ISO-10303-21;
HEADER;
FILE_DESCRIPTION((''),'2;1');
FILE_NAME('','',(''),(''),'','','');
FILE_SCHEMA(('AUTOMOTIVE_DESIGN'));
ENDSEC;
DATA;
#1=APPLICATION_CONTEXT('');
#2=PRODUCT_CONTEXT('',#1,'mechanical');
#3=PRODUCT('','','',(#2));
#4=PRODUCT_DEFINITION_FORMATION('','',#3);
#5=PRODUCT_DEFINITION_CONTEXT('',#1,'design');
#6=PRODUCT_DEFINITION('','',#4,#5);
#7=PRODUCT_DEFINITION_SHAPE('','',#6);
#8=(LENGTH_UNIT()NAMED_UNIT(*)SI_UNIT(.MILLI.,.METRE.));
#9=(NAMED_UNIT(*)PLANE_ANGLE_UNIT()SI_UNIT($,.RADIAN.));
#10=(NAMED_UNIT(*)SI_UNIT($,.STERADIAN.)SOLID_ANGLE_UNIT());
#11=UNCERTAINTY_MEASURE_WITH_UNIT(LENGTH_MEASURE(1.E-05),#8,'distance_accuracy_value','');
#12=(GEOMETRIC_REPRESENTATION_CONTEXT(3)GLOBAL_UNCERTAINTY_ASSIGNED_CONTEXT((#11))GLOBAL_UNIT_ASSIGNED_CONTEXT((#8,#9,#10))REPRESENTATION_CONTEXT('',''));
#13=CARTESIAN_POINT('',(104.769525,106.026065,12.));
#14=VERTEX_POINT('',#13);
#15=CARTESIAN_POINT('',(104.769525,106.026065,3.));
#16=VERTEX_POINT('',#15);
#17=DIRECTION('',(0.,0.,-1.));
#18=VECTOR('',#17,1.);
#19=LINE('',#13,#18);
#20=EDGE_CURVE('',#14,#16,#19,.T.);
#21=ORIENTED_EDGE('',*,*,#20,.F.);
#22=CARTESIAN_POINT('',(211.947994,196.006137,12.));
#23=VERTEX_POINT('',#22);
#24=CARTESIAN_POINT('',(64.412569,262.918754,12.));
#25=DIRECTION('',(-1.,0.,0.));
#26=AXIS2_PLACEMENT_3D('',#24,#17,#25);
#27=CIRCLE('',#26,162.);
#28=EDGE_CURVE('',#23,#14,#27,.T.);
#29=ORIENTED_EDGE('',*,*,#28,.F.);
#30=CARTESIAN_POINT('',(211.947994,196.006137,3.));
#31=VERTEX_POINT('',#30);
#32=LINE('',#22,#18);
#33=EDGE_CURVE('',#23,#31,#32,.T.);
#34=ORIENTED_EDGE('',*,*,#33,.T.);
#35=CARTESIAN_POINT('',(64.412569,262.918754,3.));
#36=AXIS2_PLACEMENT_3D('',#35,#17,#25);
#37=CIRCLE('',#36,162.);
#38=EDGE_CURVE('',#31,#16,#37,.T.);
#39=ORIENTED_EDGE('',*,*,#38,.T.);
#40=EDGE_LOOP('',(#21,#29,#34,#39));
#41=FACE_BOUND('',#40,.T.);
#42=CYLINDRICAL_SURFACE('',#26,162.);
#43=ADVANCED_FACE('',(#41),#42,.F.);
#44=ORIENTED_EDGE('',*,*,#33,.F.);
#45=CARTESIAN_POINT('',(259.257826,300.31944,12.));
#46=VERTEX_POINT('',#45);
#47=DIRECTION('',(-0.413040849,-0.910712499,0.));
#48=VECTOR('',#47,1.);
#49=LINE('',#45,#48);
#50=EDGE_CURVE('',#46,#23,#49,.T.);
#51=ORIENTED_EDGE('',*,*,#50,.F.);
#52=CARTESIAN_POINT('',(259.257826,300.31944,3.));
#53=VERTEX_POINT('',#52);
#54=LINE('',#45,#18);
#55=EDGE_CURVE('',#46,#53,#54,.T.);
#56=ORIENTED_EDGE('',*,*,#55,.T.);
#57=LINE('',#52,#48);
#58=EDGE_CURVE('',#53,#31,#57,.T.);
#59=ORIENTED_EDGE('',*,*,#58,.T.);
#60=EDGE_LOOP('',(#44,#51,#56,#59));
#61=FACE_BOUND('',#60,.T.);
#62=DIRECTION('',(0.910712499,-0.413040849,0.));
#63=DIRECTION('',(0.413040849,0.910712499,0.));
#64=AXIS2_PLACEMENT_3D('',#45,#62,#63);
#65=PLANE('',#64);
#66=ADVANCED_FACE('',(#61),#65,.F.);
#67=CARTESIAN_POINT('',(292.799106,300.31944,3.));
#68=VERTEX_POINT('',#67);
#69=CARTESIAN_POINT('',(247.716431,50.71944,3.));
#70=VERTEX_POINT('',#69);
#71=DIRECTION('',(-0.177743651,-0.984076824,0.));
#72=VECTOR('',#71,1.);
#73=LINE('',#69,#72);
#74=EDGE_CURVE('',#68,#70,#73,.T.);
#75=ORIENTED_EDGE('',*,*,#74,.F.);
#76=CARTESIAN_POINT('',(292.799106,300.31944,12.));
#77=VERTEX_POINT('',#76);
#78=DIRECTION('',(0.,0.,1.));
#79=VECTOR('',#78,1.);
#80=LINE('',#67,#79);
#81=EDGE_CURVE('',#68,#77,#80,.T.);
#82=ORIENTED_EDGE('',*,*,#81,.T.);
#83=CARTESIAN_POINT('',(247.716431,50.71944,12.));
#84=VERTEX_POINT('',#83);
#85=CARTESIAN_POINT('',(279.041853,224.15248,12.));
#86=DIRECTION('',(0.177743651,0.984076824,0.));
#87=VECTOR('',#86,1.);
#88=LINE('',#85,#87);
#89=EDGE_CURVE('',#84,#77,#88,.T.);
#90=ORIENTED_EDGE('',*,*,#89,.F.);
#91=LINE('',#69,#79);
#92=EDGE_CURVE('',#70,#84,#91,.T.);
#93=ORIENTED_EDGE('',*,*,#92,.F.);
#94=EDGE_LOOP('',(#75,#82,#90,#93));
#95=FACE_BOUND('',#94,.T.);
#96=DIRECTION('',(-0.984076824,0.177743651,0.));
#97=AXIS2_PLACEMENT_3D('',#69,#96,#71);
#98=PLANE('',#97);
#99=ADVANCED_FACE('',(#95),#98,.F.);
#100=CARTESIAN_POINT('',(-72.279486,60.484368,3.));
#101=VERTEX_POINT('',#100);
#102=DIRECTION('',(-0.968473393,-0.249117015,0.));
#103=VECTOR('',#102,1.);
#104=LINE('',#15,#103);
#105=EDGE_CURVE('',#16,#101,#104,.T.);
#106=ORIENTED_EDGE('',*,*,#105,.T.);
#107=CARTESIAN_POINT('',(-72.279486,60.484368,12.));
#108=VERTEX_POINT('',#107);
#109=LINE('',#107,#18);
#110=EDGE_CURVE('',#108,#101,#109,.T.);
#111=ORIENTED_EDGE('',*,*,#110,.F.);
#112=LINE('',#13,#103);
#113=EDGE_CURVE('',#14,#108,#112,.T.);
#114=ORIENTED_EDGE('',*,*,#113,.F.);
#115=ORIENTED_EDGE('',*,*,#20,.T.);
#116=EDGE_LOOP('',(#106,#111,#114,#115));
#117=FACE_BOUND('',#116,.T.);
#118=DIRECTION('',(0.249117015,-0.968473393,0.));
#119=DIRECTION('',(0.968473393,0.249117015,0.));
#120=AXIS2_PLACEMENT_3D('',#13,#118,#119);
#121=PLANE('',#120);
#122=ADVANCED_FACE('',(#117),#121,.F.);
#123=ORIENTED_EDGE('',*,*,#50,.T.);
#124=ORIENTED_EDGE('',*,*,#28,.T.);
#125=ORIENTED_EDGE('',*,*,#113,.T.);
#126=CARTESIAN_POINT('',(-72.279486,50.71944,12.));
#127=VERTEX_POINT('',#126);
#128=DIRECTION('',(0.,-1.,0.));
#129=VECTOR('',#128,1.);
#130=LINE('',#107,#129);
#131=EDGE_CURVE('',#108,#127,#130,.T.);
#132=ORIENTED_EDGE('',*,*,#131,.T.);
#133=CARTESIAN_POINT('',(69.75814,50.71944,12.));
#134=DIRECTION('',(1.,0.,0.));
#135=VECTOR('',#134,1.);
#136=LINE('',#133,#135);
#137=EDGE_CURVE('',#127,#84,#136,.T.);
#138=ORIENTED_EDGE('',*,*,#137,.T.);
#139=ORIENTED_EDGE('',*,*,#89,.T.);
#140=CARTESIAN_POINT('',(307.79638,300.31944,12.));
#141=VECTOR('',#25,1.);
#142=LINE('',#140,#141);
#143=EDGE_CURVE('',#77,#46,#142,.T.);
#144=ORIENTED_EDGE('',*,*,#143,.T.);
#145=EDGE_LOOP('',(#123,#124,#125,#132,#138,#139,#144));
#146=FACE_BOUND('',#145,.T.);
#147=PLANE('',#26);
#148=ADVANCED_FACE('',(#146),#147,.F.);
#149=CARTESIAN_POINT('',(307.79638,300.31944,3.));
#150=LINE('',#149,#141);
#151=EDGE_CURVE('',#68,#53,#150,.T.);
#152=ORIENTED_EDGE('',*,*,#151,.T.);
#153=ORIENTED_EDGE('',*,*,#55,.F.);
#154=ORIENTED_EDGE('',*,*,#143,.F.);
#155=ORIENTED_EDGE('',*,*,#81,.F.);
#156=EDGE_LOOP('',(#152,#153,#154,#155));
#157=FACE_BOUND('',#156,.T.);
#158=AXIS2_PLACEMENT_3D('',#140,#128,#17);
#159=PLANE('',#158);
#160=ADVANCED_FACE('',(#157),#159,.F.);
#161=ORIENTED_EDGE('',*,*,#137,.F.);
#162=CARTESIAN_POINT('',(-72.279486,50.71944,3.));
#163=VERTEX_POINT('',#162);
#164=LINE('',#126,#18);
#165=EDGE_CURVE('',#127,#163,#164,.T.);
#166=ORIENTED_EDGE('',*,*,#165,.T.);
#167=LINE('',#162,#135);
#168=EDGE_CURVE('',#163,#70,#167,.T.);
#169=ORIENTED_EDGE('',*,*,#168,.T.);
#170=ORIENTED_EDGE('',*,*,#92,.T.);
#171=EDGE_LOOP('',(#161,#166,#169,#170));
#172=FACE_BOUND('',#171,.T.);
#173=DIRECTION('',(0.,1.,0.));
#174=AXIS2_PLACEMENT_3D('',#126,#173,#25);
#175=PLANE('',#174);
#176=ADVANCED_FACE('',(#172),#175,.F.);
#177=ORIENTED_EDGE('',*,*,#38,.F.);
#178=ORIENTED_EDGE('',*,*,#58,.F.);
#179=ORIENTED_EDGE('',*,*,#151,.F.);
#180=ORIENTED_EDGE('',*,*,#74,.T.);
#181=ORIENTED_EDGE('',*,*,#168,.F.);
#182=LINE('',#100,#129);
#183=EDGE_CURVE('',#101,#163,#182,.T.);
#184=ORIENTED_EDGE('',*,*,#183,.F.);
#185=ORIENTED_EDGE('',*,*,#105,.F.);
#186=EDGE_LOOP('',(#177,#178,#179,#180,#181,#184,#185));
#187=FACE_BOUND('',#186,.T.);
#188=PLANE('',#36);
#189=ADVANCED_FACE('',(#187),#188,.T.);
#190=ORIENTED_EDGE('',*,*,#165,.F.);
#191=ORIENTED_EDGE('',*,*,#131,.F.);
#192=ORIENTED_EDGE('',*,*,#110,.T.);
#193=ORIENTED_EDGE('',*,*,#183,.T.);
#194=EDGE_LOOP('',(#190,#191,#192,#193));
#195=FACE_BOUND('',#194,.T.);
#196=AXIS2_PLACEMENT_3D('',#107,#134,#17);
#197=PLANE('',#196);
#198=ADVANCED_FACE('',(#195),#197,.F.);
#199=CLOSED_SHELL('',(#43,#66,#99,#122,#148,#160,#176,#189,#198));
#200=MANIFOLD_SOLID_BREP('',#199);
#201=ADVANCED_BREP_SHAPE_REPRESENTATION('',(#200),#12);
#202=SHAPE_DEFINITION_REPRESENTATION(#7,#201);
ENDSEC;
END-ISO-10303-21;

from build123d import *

# Parameters (mm, degrees)
BOSS_EXTRUDE1_DEPTH     = 15
CUT_EXTRUDE1_DEPTH      = 576.044354215
CUT_EXTRUDE1_DEPTH_BACK = 576.044354215
SCALE1_SCALE            = 0.6


with BuildPart() as part:
    # Sketch1 → Boss-Extrude1 (new body)
    with BuildSketch(Plane.XY):
        with BuildLine():
            Line((-236.729376996, 0), (0, 0))
            Line((0, 0), (357.876847169, 0))
            Line((357.876847169, 0), (396.730398779, 416))
            Line((396.730398779, 416), (315.832809595, 416))
            Line((315.832809595, 416), (236.983089551, 242.144494596))
            ThreePointArc((236.983089551, 242.144494596), (164.696190822, 146.877858304), (58.352308735, 92.177707838))
            Line((58.352308735, 92.177707838), (-236.729376996, 16.274880501))
            Line((-236.729376996, 16.274880501), (-236.729376996, 0))
        make_face()
    extrude(amount=BOSS_EXTRUDE1_DEPTH)

    # Sketch2 → Cut-Extrude1 (cut, two sides: drawn at the far end of the back side and taken through both)
    with BuildSketch(Plane.XY.offset(15).offset(-CUT_EXTRUDE1_DEPTH_BACK)):
        Polygon((396.730398779, 416), (357.876847169, 0), (296.597151769, 0), (371.734942748, 416), align=None)
    extrude(amount=CUT_EXTRUDE1_DEPTH + CUT_EXTRUDE1_DEPTH_BACK, mode=Mode.SUBTRACT)


with BuildPart() as part_1:
    # Scale1: scaled about (174.395350586, 126.79859987, 7.5)
    add(part.part.scale(SCALE1_SCALE).moved(Location((69.758140234, 50.719439948, 3))))


solid = part_1.part
